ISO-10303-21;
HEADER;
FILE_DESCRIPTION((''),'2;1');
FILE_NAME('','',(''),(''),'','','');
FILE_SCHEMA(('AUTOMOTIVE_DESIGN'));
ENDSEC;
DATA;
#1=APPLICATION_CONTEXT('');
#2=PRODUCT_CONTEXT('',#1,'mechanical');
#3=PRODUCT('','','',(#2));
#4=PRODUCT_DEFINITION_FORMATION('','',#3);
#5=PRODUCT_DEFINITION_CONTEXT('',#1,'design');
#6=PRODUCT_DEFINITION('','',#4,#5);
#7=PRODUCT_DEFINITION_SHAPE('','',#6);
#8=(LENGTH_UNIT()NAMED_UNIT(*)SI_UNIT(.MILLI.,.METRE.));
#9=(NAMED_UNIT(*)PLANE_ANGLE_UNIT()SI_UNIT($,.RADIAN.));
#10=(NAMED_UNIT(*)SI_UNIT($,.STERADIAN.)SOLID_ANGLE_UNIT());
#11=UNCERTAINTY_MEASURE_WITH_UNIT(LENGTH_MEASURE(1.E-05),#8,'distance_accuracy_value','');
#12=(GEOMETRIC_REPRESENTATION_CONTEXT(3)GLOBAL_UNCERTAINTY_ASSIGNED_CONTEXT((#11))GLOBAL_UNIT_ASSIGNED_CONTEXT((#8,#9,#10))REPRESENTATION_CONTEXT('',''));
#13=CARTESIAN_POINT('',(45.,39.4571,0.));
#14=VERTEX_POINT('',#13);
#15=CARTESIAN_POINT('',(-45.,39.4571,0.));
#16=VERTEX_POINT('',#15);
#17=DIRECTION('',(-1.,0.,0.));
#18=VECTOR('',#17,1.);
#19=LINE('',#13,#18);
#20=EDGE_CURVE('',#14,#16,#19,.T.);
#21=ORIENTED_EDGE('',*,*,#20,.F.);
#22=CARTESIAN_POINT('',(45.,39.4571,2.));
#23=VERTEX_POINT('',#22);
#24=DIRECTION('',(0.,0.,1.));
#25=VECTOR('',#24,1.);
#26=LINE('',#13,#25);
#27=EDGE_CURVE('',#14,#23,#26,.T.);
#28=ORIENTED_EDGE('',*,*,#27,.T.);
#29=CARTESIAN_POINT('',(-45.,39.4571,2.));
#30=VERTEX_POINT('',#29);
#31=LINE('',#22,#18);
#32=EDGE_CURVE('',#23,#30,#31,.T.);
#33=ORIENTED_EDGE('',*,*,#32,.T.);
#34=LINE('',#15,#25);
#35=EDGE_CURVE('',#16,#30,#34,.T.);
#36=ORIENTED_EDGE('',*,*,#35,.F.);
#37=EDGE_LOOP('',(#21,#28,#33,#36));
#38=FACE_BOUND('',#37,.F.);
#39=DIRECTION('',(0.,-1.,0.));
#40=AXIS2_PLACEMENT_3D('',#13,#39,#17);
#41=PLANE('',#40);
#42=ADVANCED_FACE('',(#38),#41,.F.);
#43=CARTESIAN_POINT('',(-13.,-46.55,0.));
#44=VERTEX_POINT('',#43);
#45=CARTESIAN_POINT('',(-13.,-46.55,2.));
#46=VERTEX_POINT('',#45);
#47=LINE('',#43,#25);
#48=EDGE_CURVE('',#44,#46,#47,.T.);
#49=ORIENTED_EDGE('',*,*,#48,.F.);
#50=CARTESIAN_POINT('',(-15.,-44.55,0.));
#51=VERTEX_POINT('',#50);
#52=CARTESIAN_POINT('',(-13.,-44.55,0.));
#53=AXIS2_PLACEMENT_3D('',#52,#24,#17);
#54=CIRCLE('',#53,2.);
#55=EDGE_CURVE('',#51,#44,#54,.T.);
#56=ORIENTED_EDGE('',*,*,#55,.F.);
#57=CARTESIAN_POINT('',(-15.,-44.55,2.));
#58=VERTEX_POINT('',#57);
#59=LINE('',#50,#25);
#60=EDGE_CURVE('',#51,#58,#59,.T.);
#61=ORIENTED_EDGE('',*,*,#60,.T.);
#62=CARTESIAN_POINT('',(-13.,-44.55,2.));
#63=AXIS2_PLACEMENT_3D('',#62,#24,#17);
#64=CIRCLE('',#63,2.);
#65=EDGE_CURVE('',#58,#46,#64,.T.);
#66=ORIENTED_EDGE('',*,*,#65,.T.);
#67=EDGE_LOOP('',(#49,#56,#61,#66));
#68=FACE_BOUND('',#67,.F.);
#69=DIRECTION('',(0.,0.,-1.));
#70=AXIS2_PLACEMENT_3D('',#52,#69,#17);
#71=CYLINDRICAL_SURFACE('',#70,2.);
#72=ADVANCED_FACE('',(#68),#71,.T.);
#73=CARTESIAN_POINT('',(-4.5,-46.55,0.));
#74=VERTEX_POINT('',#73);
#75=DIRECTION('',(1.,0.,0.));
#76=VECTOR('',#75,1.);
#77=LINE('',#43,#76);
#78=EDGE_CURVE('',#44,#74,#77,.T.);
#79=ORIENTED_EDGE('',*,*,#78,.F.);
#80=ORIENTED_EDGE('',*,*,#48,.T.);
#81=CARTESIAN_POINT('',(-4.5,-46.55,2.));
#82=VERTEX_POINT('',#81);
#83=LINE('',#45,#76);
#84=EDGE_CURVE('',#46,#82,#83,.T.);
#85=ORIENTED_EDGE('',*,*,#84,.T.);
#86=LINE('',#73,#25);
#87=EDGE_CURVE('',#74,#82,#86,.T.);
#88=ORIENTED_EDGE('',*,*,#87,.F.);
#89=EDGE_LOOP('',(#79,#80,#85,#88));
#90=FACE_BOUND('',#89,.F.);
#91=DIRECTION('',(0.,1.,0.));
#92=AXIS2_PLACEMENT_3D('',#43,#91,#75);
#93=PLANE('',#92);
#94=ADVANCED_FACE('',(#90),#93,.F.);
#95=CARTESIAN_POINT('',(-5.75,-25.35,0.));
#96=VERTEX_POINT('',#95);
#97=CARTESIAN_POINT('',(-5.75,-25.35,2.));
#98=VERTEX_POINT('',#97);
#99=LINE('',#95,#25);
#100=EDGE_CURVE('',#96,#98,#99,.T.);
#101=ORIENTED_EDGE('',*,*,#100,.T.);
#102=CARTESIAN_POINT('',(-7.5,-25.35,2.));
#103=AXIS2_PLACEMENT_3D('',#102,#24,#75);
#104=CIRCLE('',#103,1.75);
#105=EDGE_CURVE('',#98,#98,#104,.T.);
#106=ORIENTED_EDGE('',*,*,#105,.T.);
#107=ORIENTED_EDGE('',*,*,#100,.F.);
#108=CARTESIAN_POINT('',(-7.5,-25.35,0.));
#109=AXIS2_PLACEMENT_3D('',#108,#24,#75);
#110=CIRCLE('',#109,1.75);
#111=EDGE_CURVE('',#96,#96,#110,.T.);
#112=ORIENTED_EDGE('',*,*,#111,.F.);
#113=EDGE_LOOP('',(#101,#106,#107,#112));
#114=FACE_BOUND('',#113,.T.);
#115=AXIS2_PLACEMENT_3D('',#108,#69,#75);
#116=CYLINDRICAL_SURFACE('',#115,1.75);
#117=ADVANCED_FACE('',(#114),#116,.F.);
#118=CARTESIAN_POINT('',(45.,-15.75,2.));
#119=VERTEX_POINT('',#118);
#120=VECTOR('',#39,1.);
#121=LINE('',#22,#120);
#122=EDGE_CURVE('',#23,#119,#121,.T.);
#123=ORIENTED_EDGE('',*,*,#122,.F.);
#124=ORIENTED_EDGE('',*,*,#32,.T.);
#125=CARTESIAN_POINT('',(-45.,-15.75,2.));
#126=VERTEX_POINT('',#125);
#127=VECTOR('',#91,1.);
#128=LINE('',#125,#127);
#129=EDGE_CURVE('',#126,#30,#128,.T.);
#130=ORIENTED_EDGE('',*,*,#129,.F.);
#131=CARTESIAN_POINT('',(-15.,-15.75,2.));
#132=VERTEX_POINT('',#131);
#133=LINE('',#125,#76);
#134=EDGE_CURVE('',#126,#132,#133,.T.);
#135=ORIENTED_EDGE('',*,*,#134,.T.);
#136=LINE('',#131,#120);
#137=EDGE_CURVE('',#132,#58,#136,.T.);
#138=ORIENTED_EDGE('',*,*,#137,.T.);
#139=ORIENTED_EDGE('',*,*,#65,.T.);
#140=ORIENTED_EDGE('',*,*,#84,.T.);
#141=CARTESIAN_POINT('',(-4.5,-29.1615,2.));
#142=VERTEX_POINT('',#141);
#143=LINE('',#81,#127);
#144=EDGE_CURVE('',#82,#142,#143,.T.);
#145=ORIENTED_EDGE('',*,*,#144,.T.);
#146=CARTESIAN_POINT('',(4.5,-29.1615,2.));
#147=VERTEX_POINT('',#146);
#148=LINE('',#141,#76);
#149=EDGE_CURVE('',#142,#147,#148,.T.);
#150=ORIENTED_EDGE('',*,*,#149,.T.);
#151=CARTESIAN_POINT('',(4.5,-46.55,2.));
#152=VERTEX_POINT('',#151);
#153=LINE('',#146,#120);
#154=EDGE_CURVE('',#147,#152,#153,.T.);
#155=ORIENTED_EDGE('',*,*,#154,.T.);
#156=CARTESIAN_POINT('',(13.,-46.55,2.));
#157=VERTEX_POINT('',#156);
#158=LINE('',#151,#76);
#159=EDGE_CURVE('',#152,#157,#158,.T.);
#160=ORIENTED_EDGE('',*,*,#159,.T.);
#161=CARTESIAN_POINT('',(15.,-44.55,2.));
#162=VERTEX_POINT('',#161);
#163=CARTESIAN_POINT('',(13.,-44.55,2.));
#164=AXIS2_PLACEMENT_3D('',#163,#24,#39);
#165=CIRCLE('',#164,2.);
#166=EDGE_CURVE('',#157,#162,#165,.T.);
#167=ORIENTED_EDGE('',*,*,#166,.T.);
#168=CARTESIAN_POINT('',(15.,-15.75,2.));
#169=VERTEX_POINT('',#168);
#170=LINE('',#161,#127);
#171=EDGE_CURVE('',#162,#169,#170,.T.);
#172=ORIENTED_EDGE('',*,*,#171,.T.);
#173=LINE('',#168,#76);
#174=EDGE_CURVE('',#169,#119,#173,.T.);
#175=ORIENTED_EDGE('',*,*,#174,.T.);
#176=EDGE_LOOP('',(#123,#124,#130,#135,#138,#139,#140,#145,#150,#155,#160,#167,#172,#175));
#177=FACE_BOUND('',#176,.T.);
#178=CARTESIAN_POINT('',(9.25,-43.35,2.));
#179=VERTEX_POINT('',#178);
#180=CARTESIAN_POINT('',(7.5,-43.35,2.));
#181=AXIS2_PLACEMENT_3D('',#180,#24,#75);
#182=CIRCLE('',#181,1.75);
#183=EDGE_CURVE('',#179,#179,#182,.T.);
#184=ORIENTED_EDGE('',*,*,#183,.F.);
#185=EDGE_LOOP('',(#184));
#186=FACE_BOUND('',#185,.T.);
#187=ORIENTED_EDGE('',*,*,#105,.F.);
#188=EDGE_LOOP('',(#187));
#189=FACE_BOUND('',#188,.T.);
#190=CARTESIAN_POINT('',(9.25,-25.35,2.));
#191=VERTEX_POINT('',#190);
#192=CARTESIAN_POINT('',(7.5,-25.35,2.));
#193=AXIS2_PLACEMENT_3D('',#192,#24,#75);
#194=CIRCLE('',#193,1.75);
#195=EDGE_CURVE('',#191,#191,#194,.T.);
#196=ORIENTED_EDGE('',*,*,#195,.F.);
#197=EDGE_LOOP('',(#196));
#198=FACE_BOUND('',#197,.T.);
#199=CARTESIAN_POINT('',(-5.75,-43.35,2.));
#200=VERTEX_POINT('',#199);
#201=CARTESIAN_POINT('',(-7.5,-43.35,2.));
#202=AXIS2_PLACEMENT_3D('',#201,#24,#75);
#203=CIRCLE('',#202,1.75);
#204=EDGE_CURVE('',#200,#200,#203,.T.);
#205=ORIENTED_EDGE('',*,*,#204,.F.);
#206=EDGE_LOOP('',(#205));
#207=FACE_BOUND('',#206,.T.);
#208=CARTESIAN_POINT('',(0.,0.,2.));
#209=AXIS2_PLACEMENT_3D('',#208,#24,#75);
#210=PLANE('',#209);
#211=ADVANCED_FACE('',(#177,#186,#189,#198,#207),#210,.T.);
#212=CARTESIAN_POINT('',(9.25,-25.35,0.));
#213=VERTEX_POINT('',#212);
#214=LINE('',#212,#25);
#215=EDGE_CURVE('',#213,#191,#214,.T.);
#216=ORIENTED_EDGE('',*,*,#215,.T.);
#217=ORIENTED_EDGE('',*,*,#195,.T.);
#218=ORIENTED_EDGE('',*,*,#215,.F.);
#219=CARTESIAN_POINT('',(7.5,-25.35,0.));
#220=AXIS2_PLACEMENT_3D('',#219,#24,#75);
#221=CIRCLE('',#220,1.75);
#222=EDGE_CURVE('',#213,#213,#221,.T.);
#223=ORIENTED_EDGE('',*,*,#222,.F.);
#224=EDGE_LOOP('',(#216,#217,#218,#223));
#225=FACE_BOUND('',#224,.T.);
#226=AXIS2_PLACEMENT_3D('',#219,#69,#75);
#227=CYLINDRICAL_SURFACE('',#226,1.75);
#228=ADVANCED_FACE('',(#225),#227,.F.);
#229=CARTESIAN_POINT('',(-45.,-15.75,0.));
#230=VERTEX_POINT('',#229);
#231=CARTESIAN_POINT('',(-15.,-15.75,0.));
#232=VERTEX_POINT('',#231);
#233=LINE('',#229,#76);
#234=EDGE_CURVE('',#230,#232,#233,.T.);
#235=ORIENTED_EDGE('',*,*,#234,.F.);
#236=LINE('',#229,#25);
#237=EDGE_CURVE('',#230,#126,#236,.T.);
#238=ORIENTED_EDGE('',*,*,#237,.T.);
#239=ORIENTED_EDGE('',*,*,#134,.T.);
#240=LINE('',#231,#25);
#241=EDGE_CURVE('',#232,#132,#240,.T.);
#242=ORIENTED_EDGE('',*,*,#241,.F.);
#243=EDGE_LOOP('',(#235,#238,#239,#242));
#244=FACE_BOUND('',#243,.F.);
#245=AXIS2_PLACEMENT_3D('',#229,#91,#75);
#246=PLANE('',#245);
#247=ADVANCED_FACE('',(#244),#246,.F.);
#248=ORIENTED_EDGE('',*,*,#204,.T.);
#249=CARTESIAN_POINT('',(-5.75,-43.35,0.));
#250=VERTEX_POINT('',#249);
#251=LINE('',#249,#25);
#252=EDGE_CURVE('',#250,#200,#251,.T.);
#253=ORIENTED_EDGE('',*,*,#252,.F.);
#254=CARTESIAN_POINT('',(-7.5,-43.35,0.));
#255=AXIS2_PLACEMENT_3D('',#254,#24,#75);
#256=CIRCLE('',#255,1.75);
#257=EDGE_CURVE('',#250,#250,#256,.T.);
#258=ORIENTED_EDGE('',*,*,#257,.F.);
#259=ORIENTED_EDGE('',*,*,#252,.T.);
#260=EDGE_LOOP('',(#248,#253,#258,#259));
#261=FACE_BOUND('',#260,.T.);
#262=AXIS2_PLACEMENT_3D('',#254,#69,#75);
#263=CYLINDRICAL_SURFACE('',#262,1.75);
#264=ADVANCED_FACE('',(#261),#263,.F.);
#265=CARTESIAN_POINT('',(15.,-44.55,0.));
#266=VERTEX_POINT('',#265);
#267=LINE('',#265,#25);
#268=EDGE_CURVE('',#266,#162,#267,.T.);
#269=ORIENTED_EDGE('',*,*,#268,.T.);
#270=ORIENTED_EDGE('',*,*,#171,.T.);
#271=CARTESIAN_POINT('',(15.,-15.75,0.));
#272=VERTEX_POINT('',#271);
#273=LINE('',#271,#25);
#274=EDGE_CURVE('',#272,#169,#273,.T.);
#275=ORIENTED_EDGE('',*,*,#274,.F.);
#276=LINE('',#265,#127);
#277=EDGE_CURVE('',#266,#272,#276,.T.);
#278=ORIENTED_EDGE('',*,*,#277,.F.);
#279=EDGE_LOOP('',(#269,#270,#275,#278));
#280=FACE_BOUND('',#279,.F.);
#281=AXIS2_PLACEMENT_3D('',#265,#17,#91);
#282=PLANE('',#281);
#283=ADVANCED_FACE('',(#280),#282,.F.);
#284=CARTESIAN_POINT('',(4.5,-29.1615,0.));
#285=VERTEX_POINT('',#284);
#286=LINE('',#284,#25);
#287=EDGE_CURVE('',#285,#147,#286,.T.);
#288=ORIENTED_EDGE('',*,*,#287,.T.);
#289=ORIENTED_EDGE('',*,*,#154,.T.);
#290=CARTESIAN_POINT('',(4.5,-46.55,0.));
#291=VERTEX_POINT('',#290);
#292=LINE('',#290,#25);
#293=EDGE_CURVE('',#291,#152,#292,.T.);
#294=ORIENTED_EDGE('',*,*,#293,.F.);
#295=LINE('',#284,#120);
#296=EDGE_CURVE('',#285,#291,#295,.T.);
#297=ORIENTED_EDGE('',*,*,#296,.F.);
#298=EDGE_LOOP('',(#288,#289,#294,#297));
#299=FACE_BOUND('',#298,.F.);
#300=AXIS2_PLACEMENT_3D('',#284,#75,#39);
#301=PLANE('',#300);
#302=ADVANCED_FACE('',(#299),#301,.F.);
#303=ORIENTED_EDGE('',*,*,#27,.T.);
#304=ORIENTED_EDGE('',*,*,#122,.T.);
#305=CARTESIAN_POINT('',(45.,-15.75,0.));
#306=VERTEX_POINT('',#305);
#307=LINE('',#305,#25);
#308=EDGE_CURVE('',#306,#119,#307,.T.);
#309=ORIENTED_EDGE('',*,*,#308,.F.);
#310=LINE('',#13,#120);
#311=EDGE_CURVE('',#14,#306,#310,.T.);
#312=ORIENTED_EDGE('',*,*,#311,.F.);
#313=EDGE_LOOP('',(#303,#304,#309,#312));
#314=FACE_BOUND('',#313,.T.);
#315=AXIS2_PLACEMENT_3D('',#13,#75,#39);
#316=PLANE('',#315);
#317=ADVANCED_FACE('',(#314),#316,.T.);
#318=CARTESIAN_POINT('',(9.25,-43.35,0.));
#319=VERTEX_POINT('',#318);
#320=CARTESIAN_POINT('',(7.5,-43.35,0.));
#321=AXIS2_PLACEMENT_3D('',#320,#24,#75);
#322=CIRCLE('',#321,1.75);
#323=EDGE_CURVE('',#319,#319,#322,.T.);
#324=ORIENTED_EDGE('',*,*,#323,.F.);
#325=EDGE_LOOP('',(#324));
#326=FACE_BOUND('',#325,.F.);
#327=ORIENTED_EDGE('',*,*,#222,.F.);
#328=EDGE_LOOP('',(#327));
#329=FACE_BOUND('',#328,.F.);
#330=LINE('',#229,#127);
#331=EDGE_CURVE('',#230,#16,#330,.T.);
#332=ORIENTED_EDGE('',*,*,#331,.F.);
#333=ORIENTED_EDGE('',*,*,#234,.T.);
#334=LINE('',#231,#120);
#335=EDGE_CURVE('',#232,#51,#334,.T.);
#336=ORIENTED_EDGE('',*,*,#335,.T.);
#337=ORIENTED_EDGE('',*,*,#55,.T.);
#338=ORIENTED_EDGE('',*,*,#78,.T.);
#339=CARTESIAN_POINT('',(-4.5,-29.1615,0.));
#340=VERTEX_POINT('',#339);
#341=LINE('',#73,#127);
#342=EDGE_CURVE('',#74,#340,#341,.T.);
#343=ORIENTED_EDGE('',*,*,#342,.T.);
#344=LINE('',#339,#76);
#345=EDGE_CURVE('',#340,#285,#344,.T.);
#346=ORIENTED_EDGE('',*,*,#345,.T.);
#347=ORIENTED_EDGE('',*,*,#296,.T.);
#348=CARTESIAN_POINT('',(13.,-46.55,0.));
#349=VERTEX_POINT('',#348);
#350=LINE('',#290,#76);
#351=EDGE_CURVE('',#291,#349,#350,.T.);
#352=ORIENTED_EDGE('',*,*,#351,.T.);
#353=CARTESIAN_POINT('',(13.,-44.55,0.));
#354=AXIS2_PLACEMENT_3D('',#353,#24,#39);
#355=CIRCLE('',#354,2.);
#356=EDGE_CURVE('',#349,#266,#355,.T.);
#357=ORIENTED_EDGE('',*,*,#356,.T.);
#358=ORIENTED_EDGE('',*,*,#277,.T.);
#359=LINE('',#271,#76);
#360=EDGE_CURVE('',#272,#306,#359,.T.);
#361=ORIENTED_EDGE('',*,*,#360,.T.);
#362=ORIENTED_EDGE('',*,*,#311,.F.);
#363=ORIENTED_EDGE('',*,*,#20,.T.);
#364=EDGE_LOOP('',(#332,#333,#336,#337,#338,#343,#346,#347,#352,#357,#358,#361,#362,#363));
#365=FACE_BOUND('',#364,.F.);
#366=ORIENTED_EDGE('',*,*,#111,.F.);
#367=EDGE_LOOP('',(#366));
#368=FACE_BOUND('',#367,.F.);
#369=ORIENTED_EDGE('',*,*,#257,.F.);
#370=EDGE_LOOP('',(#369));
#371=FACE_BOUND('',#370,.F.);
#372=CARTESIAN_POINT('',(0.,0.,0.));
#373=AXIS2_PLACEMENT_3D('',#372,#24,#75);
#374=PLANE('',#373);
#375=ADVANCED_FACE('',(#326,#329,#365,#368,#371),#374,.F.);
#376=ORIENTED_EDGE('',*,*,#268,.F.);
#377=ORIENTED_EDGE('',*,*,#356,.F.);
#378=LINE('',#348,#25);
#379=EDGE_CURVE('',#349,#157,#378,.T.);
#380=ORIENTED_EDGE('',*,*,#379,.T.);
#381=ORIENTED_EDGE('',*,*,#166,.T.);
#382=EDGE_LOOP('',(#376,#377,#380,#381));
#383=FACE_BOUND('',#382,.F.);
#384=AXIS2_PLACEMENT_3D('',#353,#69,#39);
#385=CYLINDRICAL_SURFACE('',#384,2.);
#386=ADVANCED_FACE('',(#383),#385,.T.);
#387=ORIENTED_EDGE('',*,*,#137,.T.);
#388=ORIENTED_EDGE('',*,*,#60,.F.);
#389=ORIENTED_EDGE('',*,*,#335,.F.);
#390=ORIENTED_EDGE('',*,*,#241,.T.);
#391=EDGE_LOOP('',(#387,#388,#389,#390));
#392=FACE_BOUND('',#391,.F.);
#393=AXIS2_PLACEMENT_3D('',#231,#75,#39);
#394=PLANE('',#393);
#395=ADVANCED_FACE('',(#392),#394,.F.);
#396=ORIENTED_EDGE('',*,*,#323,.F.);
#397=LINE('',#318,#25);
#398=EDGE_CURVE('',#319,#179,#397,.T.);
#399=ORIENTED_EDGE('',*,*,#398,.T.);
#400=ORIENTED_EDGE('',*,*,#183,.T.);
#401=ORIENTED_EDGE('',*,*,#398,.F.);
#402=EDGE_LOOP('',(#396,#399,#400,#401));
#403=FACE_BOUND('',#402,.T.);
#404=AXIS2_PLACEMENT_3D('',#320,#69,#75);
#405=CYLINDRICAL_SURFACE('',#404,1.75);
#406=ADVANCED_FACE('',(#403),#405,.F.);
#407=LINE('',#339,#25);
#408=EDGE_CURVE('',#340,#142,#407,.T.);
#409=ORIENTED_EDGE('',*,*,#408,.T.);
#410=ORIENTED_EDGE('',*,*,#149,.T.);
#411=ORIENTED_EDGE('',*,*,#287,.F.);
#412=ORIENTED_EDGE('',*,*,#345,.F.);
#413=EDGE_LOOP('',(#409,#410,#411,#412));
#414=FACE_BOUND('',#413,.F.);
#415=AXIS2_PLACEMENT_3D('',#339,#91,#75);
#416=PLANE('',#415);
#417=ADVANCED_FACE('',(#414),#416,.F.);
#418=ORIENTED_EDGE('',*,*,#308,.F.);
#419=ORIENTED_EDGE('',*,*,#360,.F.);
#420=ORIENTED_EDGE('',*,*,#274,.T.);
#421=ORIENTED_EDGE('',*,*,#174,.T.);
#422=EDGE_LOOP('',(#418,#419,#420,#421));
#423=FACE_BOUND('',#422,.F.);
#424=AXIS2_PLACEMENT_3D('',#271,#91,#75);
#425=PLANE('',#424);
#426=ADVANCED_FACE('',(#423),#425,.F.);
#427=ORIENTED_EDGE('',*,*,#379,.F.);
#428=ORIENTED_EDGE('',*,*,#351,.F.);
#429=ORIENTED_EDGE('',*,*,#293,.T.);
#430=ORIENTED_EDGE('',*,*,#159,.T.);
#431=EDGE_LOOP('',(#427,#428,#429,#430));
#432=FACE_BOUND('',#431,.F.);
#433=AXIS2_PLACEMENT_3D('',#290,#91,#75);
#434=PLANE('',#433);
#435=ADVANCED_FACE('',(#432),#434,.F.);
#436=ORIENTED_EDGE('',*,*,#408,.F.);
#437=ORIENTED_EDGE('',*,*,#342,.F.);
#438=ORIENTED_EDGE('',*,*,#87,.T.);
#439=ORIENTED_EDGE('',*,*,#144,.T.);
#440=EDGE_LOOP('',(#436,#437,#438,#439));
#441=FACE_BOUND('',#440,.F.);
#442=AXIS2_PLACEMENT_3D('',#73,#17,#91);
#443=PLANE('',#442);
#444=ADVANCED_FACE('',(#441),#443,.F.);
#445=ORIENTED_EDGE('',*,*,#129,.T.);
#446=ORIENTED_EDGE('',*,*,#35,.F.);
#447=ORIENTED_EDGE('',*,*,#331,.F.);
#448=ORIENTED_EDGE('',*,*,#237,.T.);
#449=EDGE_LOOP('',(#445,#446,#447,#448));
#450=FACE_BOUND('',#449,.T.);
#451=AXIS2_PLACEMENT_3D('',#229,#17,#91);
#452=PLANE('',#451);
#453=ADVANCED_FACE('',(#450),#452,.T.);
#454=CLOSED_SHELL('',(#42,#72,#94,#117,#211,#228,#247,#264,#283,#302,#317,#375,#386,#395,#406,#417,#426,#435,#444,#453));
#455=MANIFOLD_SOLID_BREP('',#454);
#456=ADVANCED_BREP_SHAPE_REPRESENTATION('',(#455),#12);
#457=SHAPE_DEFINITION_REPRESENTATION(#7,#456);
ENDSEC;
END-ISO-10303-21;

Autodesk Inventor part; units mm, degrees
ref_plane "YZ Plane" through (0, 0, 0) normal (1, 0, 0) x (0, 1, 0)
ref_plane "XZ Plane" through (0, 0, 0) normal (0, 1, 0) x (-1, 0, 0)
ref_plane "XY Plane" through (0, 0, 0) normal (0, 0, 1) x (1, 0, 0)
sketch "Sketch1" plane through (0, 0, 0) normal (0, 0, 1) x (1, 0, 0)
  line L0 (4.5, -29.1615) -> (4.5, -46.55) projected
  line L1 (4.5, -46.55) -> (13, -46.55) projected
  arc A0 (13, -46.55) -> (15, -44.55) centre (13, -44.55) ccw projected
  line L2 (15, -44.55) -> (15, -15.75) projected
  line L3 (15, -15.75) -> (45, -15.75) projected
  line L4 (45, 39.4571) -> (45, -15.75) projected
  line L5 (-45, -15.75) -> (-45, 39.4571) projected
  line L6 (-45, -15.75) -> (-15, -15.75) projected
  line L7 (-15, -15.75) -> (-15, -44.55) projected
  arc A1 (-15, -44.55) -> (-13, -46.55) centre (-13, -44.55) ccw projected
  line L8 (-13, -46.55) -> (-4.5, -46.55) projected
  line L9 (-4.5, -46.55) -> (-4.5, -29.1615) projected
  line L10 (-4.5, -29.1615) -> (4.5, -29.1615) projected
  circle A2 centre (7.5, -43.35) radius 1.75 projected
  circle A3 centre (7.5, -25.35) radius 1.75 projected
  circle A4 centre (-7.5, -25.35) radius 1.75 projected
  circle A5 centre (-7.5, -43.35) radius 1.75 projected
  line L11 (45, 39.4571) -> (-45, 39.4571) projected
  line L12 (-23.9404, 34.5074) -> (-20.8237, 34.5074) projected
  ellipse E0 centre (-19.8512, 32.8923) end of major axis (-19.8512, 35.0136) minor radius 1.5 (-18.8787, 34.5074) -> (-20.8237, 34.5074) ccw projected
  line L13 (-18.8787, 34.5074) -> (-15.7619, 34.5074) projected
  line L14 (-15.7619, 34.5074) -> (-15.7619, 27.8723) projected
  line L15 (-15.7619, 27.8723) -> (-23.9404, 27.8723) projected
  line L16 (-23.9404, 27.8723) -> (-23.9404, 34.5074) projected
  line L17 (15.7619, 34.5074) -> (18.8787, 34.5074) projected
  ellipse E1 centre (19.8512, 32.8923) end of major axis (19.8512, 35.0136) minor radius 1.5 (20.8237, 34.5074) -> (18.8787, 34.5074) ccw projected
  line L18 (20.8237, 34.5074) -> (23.9404, 34.5074) projected
  line L19 (23.9404, 34.5074) -> (23.9404, 27.8723) projected
  line L20 (23.9404, 27.8723) -> (15.7619, 27.8723) projected
  line L21 (15.7619, 27.8723) -> (15.7619, 34.5074) projected
  point P0 (0, 0)
extrude "Extrusion1" add sketch "Sketch1" along normal blind 2 contours L10 L9 L8 A1 L7 L6 L5 L11 L4 L3 L2 A0 L1 L0 | L12 E0 L13 L14 L15 L16 | L17 E1 L18 L19 L20 L21
properties part number "lead" material "Lead"
